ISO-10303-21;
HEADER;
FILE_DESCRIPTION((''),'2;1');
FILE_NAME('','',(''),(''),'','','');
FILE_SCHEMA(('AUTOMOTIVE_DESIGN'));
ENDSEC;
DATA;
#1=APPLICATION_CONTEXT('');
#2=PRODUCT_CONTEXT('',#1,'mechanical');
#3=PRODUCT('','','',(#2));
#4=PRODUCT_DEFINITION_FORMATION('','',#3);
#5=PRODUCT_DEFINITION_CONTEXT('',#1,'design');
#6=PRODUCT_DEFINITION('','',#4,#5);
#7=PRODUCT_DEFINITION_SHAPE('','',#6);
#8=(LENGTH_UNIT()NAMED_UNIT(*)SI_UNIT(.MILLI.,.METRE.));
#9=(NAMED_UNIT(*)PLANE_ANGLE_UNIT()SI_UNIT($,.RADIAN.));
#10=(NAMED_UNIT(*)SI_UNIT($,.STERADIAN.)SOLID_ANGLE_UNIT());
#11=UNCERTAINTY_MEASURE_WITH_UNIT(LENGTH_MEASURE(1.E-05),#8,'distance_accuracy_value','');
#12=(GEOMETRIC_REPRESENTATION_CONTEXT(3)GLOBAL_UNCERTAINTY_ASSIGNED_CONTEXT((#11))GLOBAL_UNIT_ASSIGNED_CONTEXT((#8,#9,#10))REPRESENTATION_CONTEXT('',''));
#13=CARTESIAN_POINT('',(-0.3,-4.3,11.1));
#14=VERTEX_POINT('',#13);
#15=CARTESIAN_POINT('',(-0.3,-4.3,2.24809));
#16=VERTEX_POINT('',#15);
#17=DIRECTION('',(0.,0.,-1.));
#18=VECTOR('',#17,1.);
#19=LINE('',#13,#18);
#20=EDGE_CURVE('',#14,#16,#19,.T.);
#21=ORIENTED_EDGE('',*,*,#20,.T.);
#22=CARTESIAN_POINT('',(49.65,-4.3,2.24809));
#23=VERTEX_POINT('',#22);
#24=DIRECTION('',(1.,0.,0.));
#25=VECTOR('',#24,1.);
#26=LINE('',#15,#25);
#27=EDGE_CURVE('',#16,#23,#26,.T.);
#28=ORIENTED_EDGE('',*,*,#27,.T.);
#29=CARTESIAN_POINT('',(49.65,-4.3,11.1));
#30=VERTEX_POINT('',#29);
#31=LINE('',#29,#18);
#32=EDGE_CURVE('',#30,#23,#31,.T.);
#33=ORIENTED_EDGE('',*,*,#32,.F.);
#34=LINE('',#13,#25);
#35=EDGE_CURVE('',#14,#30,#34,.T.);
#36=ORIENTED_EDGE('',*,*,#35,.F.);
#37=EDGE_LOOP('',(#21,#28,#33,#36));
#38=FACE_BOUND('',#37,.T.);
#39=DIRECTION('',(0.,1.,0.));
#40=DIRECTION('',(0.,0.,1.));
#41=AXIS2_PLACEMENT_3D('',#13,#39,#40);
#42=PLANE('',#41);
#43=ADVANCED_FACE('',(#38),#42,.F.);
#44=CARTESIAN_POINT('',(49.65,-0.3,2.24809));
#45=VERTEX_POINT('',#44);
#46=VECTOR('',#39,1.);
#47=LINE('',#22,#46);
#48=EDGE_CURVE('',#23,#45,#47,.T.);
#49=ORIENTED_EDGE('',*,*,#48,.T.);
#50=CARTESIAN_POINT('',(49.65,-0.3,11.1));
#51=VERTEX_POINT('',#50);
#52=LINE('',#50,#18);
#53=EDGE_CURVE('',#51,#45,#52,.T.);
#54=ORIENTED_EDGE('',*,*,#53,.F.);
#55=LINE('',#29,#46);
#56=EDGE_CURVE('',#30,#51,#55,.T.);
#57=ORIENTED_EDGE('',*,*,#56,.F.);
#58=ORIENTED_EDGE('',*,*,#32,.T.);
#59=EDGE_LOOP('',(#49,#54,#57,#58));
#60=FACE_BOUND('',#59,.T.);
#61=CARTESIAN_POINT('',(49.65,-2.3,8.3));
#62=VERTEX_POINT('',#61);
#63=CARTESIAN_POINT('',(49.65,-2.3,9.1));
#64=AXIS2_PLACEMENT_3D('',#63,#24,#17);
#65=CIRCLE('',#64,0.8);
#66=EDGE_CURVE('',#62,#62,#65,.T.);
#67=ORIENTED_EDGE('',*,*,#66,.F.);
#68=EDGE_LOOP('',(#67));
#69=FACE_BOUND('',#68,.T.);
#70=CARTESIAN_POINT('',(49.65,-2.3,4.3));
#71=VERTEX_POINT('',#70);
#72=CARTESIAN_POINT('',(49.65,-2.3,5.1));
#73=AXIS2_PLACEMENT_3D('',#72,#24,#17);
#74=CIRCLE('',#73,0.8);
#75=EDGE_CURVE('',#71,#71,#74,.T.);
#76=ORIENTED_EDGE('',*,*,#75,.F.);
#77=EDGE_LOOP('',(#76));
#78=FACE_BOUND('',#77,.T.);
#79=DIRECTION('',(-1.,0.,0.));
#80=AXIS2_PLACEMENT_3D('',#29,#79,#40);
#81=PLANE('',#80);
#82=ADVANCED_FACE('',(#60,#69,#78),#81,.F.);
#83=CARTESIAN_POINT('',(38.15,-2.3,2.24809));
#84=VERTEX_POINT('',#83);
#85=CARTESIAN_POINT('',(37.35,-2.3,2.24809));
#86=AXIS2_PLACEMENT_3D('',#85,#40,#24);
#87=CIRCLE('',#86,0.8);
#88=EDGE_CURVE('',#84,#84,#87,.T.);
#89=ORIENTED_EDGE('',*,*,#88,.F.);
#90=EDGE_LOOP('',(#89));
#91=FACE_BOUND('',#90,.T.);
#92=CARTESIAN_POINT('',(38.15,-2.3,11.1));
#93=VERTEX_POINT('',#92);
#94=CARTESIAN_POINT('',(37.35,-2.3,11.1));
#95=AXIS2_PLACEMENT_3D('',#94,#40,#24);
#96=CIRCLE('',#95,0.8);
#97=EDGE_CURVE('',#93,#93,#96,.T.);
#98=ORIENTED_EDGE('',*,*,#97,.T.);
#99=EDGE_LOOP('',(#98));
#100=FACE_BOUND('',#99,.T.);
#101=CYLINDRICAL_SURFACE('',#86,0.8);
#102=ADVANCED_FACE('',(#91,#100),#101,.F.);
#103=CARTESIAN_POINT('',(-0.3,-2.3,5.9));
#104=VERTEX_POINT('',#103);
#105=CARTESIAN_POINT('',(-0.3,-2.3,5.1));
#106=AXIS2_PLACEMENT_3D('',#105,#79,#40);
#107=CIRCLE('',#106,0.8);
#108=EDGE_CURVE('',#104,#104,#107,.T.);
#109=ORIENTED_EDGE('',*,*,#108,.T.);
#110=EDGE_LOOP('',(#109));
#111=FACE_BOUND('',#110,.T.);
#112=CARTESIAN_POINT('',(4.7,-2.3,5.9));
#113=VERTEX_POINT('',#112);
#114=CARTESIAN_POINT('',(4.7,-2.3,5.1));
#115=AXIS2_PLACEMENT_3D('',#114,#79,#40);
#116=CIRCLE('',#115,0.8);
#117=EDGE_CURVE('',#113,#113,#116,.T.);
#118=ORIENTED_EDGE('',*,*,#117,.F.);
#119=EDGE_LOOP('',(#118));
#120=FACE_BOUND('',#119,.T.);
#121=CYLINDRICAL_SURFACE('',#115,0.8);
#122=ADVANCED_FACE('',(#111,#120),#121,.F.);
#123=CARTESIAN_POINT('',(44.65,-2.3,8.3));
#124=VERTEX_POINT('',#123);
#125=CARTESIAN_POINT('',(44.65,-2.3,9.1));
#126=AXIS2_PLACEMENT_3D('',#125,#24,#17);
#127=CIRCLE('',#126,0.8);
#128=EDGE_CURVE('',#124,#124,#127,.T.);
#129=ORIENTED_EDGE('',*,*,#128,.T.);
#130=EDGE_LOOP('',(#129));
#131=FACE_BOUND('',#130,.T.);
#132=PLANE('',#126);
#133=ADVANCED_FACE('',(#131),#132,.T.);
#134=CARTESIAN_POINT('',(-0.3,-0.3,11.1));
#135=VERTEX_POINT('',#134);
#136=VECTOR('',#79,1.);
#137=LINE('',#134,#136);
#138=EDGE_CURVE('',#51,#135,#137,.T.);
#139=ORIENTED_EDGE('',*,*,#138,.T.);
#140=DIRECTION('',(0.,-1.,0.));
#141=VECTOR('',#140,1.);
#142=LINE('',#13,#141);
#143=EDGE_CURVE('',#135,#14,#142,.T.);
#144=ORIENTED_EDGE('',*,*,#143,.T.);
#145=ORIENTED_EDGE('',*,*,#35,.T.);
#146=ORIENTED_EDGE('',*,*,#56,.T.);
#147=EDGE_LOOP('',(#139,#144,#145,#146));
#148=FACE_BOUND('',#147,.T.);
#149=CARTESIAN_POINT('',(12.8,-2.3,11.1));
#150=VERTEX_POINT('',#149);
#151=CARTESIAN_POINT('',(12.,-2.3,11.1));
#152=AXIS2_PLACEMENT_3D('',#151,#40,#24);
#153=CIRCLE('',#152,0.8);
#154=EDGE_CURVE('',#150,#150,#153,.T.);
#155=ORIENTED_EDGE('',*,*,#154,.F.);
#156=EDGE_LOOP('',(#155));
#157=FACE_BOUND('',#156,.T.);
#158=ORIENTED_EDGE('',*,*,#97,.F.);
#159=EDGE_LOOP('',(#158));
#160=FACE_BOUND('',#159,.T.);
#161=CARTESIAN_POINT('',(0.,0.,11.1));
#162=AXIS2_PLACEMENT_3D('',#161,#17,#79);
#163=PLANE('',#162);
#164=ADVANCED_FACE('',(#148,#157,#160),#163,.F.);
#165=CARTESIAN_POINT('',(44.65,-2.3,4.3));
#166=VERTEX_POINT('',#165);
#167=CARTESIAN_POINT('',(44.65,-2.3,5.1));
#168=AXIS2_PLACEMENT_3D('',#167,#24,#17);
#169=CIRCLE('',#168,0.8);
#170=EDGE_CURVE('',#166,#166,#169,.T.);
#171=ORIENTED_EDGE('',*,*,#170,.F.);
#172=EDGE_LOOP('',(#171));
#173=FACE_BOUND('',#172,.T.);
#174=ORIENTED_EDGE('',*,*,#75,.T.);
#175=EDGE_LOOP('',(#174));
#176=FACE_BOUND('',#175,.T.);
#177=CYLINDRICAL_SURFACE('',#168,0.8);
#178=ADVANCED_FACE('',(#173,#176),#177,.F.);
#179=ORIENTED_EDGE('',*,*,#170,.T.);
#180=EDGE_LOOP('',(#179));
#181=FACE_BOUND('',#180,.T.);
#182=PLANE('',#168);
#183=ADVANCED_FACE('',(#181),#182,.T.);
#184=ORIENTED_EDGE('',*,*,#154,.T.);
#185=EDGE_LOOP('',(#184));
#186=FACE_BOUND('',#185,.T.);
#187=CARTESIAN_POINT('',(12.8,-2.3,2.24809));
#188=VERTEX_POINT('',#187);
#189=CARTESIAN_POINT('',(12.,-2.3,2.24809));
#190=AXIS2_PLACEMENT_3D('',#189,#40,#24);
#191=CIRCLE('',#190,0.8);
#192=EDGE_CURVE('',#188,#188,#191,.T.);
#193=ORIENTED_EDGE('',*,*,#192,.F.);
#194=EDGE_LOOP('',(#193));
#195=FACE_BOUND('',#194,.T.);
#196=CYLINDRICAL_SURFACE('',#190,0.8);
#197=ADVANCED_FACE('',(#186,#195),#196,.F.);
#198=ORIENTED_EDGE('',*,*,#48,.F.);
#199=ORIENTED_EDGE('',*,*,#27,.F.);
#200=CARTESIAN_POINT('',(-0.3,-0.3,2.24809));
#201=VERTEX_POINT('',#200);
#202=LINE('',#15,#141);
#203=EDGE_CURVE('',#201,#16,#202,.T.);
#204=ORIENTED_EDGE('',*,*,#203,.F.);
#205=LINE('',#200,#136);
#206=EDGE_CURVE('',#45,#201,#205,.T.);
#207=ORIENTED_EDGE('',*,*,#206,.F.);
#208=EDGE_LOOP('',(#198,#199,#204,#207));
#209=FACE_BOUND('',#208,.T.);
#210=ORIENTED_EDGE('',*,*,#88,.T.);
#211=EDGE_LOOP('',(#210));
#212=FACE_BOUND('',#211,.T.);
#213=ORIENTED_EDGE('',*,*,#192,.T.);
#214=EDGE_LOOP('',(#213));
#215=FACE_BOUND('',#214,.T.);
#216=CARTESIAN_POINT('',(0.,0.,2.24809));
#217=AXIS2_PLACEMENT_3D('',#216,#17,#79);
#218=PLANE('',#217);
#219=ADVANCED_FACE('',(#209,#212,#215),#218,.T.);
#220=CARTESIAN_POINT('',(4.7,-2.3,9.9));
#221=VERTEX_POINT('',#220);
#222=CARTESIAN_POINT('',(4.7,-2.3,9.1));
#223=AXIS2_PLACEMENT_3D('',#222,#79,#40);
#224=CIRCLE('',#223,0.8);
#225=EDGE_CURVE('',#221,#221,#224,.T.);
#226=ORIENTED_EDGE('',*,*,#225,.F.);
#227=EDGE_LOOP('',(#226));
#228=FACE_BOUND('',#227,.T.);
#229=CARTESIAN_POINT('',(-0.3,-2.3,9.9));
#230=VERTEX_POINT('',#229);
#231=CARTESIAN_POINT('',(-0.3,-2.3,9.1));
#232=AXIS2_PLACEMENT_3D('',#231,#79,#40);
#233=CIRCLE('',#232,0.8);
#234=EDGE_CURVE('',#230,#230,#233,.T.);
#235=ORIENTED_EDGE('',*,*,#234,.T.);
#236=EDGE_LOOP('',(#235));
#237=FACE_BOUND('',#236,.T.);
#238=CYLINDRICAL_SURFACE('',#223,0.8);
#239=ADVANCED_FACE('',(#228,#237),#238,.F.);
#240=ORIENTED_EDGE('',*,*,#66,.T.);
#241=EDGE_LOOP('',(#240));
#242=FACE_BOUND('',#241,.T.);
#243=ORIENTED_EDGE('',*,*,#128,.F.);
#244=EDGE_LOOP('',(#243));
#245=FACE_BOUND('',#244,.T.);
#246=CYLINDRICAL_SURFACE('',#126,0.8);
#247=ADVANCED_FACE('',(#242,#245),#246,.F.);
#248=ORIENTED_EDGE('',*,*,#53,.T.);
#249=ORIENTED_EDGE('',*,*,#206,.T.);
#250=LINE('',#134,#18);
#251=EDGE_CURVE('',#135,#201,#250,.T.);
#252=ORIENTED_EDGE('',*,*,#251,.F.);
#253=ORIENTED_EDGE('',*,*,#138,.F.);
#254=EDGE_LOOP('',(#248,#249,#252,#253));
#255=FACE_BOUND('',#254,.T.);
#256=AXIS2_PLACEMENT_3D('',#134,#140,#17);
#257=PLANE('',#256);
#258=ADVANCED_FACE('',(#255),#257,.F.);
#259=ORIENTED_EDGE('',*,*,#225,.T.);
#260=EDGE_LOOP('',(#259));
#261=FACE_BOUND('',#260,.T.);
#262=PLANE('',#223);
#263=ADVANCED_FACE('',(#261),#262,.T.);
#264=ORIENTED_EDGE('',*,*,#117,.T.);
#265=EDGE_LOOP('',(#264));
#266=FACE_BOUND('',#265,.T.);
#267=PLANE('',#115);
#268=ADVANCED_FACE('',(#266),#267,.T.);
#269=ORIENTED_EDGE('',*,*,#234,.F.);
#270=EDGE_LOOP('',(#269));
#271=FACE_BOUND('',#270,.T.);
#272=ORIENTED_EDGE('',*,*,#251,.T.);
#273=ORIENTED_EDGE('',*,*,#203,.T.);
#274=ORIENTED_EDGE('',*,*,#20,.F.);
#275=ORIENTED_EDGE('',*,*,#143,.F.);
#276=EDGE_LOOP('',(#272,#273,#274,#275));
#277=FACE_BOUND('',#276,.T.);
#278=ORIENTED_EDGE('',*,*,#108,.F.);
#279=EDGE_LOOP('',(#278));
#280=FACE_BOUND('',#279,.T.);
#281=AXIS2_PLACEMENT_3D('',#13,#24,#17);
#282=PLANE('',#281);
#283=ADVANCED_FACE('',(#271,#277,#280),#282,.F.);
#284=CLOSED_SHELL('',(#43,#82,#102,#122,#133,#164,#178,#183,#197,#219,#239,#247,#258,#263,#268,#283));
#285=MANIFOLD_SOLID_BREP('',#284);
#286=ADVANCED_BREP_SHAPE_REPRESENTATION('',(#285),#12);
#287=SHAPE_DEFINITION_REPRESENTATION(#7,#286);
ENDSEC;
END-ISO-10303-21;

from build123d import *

# Parameters (mm, degrees)
MAIN_STOCK_START             = 2.248090434
SKETCH_1_W                   = 49.95
SKETCH_1_H                   = 4
MAIN_STOCK_DEPTH             = 8.851909566
SKETCH_2_R                   = 0.8
FRAME_2XD1P6_THROUGH_DEPTH   = 51.615894766
SKETCH_3_R                   = 0.8
CORNER_L_2XD1P6_BLIND5_DEPTH = 5
CORNER_R_2XD1P6_BLIND5_START = -5
SKETCH_4_R                   = 0.8
CORNER_R_2XD1P6_BLIND5_DEPTH = 5


with BuildPart() as part:
    # 草图1 → Main_Stock (new body)
    with BuildSketch(Plane.XY.offset(MAIN_STOCK_START)):
        with Locations((24.675, -2.3)):
            Rectangle(SKETCH_1_W, SKETCH_1_H)
    extrude(amount=MAIN_STOCK_DEPTH)

    # 草图2 → Frame_2xD1p6_Through (cut, through all)
    with BuildSketch(Plane.XY.offset(11.1)):
        with Locations((12, -2.3)):
            Circle(SKETCH_2_R)
        with Locations((37.35, -2.3)):
            Circle(SKETCH_2_R)
    extrude(amount=-FRAME_2XD1P6_THROUGH_DEPTH, mode=Mode.SUBTRACT)

    # 草图3 → Corner_L_2xD1p6_Blind5 (cut)
    with BuildSketch(Plane.ZY.offset(0.3)):
        with Locations((5.1, -2.3)):
            Circle(SKETCH_3_R)
        with Locations((9.1, -2.3)):
            Circle(SKETCH_3_R)
    extrude(amount=-CORNER_L_2XD1P6_BLIND5_DEPTH, mode=Mode.SUBTRACT)

    # 草图4 → Corner_R_2xD1p6_Blind5 (cut)
    with BuildSketch(Plane(origin=(49.65, 0, 0), x_dir=(0, 0, -1), z_dir=(1, 0, 0)).offset(CORNER_R_2XD1P6_BLIND5_START)):
        with Locations(Location((-5.1, -2.3, 0), (0, 0, 180))):
            Circle(SKETCH_4_R)
        with Locations(Location((-9.1, -2.3, 0), (0, 0, 180))):
            Circle(SKETCH_4_R)
    extrude(amount=CORNER_R_2XD1P6_BLIND5_DEPTH, mode=Mode.SUBTRACT)


solid = part.part
